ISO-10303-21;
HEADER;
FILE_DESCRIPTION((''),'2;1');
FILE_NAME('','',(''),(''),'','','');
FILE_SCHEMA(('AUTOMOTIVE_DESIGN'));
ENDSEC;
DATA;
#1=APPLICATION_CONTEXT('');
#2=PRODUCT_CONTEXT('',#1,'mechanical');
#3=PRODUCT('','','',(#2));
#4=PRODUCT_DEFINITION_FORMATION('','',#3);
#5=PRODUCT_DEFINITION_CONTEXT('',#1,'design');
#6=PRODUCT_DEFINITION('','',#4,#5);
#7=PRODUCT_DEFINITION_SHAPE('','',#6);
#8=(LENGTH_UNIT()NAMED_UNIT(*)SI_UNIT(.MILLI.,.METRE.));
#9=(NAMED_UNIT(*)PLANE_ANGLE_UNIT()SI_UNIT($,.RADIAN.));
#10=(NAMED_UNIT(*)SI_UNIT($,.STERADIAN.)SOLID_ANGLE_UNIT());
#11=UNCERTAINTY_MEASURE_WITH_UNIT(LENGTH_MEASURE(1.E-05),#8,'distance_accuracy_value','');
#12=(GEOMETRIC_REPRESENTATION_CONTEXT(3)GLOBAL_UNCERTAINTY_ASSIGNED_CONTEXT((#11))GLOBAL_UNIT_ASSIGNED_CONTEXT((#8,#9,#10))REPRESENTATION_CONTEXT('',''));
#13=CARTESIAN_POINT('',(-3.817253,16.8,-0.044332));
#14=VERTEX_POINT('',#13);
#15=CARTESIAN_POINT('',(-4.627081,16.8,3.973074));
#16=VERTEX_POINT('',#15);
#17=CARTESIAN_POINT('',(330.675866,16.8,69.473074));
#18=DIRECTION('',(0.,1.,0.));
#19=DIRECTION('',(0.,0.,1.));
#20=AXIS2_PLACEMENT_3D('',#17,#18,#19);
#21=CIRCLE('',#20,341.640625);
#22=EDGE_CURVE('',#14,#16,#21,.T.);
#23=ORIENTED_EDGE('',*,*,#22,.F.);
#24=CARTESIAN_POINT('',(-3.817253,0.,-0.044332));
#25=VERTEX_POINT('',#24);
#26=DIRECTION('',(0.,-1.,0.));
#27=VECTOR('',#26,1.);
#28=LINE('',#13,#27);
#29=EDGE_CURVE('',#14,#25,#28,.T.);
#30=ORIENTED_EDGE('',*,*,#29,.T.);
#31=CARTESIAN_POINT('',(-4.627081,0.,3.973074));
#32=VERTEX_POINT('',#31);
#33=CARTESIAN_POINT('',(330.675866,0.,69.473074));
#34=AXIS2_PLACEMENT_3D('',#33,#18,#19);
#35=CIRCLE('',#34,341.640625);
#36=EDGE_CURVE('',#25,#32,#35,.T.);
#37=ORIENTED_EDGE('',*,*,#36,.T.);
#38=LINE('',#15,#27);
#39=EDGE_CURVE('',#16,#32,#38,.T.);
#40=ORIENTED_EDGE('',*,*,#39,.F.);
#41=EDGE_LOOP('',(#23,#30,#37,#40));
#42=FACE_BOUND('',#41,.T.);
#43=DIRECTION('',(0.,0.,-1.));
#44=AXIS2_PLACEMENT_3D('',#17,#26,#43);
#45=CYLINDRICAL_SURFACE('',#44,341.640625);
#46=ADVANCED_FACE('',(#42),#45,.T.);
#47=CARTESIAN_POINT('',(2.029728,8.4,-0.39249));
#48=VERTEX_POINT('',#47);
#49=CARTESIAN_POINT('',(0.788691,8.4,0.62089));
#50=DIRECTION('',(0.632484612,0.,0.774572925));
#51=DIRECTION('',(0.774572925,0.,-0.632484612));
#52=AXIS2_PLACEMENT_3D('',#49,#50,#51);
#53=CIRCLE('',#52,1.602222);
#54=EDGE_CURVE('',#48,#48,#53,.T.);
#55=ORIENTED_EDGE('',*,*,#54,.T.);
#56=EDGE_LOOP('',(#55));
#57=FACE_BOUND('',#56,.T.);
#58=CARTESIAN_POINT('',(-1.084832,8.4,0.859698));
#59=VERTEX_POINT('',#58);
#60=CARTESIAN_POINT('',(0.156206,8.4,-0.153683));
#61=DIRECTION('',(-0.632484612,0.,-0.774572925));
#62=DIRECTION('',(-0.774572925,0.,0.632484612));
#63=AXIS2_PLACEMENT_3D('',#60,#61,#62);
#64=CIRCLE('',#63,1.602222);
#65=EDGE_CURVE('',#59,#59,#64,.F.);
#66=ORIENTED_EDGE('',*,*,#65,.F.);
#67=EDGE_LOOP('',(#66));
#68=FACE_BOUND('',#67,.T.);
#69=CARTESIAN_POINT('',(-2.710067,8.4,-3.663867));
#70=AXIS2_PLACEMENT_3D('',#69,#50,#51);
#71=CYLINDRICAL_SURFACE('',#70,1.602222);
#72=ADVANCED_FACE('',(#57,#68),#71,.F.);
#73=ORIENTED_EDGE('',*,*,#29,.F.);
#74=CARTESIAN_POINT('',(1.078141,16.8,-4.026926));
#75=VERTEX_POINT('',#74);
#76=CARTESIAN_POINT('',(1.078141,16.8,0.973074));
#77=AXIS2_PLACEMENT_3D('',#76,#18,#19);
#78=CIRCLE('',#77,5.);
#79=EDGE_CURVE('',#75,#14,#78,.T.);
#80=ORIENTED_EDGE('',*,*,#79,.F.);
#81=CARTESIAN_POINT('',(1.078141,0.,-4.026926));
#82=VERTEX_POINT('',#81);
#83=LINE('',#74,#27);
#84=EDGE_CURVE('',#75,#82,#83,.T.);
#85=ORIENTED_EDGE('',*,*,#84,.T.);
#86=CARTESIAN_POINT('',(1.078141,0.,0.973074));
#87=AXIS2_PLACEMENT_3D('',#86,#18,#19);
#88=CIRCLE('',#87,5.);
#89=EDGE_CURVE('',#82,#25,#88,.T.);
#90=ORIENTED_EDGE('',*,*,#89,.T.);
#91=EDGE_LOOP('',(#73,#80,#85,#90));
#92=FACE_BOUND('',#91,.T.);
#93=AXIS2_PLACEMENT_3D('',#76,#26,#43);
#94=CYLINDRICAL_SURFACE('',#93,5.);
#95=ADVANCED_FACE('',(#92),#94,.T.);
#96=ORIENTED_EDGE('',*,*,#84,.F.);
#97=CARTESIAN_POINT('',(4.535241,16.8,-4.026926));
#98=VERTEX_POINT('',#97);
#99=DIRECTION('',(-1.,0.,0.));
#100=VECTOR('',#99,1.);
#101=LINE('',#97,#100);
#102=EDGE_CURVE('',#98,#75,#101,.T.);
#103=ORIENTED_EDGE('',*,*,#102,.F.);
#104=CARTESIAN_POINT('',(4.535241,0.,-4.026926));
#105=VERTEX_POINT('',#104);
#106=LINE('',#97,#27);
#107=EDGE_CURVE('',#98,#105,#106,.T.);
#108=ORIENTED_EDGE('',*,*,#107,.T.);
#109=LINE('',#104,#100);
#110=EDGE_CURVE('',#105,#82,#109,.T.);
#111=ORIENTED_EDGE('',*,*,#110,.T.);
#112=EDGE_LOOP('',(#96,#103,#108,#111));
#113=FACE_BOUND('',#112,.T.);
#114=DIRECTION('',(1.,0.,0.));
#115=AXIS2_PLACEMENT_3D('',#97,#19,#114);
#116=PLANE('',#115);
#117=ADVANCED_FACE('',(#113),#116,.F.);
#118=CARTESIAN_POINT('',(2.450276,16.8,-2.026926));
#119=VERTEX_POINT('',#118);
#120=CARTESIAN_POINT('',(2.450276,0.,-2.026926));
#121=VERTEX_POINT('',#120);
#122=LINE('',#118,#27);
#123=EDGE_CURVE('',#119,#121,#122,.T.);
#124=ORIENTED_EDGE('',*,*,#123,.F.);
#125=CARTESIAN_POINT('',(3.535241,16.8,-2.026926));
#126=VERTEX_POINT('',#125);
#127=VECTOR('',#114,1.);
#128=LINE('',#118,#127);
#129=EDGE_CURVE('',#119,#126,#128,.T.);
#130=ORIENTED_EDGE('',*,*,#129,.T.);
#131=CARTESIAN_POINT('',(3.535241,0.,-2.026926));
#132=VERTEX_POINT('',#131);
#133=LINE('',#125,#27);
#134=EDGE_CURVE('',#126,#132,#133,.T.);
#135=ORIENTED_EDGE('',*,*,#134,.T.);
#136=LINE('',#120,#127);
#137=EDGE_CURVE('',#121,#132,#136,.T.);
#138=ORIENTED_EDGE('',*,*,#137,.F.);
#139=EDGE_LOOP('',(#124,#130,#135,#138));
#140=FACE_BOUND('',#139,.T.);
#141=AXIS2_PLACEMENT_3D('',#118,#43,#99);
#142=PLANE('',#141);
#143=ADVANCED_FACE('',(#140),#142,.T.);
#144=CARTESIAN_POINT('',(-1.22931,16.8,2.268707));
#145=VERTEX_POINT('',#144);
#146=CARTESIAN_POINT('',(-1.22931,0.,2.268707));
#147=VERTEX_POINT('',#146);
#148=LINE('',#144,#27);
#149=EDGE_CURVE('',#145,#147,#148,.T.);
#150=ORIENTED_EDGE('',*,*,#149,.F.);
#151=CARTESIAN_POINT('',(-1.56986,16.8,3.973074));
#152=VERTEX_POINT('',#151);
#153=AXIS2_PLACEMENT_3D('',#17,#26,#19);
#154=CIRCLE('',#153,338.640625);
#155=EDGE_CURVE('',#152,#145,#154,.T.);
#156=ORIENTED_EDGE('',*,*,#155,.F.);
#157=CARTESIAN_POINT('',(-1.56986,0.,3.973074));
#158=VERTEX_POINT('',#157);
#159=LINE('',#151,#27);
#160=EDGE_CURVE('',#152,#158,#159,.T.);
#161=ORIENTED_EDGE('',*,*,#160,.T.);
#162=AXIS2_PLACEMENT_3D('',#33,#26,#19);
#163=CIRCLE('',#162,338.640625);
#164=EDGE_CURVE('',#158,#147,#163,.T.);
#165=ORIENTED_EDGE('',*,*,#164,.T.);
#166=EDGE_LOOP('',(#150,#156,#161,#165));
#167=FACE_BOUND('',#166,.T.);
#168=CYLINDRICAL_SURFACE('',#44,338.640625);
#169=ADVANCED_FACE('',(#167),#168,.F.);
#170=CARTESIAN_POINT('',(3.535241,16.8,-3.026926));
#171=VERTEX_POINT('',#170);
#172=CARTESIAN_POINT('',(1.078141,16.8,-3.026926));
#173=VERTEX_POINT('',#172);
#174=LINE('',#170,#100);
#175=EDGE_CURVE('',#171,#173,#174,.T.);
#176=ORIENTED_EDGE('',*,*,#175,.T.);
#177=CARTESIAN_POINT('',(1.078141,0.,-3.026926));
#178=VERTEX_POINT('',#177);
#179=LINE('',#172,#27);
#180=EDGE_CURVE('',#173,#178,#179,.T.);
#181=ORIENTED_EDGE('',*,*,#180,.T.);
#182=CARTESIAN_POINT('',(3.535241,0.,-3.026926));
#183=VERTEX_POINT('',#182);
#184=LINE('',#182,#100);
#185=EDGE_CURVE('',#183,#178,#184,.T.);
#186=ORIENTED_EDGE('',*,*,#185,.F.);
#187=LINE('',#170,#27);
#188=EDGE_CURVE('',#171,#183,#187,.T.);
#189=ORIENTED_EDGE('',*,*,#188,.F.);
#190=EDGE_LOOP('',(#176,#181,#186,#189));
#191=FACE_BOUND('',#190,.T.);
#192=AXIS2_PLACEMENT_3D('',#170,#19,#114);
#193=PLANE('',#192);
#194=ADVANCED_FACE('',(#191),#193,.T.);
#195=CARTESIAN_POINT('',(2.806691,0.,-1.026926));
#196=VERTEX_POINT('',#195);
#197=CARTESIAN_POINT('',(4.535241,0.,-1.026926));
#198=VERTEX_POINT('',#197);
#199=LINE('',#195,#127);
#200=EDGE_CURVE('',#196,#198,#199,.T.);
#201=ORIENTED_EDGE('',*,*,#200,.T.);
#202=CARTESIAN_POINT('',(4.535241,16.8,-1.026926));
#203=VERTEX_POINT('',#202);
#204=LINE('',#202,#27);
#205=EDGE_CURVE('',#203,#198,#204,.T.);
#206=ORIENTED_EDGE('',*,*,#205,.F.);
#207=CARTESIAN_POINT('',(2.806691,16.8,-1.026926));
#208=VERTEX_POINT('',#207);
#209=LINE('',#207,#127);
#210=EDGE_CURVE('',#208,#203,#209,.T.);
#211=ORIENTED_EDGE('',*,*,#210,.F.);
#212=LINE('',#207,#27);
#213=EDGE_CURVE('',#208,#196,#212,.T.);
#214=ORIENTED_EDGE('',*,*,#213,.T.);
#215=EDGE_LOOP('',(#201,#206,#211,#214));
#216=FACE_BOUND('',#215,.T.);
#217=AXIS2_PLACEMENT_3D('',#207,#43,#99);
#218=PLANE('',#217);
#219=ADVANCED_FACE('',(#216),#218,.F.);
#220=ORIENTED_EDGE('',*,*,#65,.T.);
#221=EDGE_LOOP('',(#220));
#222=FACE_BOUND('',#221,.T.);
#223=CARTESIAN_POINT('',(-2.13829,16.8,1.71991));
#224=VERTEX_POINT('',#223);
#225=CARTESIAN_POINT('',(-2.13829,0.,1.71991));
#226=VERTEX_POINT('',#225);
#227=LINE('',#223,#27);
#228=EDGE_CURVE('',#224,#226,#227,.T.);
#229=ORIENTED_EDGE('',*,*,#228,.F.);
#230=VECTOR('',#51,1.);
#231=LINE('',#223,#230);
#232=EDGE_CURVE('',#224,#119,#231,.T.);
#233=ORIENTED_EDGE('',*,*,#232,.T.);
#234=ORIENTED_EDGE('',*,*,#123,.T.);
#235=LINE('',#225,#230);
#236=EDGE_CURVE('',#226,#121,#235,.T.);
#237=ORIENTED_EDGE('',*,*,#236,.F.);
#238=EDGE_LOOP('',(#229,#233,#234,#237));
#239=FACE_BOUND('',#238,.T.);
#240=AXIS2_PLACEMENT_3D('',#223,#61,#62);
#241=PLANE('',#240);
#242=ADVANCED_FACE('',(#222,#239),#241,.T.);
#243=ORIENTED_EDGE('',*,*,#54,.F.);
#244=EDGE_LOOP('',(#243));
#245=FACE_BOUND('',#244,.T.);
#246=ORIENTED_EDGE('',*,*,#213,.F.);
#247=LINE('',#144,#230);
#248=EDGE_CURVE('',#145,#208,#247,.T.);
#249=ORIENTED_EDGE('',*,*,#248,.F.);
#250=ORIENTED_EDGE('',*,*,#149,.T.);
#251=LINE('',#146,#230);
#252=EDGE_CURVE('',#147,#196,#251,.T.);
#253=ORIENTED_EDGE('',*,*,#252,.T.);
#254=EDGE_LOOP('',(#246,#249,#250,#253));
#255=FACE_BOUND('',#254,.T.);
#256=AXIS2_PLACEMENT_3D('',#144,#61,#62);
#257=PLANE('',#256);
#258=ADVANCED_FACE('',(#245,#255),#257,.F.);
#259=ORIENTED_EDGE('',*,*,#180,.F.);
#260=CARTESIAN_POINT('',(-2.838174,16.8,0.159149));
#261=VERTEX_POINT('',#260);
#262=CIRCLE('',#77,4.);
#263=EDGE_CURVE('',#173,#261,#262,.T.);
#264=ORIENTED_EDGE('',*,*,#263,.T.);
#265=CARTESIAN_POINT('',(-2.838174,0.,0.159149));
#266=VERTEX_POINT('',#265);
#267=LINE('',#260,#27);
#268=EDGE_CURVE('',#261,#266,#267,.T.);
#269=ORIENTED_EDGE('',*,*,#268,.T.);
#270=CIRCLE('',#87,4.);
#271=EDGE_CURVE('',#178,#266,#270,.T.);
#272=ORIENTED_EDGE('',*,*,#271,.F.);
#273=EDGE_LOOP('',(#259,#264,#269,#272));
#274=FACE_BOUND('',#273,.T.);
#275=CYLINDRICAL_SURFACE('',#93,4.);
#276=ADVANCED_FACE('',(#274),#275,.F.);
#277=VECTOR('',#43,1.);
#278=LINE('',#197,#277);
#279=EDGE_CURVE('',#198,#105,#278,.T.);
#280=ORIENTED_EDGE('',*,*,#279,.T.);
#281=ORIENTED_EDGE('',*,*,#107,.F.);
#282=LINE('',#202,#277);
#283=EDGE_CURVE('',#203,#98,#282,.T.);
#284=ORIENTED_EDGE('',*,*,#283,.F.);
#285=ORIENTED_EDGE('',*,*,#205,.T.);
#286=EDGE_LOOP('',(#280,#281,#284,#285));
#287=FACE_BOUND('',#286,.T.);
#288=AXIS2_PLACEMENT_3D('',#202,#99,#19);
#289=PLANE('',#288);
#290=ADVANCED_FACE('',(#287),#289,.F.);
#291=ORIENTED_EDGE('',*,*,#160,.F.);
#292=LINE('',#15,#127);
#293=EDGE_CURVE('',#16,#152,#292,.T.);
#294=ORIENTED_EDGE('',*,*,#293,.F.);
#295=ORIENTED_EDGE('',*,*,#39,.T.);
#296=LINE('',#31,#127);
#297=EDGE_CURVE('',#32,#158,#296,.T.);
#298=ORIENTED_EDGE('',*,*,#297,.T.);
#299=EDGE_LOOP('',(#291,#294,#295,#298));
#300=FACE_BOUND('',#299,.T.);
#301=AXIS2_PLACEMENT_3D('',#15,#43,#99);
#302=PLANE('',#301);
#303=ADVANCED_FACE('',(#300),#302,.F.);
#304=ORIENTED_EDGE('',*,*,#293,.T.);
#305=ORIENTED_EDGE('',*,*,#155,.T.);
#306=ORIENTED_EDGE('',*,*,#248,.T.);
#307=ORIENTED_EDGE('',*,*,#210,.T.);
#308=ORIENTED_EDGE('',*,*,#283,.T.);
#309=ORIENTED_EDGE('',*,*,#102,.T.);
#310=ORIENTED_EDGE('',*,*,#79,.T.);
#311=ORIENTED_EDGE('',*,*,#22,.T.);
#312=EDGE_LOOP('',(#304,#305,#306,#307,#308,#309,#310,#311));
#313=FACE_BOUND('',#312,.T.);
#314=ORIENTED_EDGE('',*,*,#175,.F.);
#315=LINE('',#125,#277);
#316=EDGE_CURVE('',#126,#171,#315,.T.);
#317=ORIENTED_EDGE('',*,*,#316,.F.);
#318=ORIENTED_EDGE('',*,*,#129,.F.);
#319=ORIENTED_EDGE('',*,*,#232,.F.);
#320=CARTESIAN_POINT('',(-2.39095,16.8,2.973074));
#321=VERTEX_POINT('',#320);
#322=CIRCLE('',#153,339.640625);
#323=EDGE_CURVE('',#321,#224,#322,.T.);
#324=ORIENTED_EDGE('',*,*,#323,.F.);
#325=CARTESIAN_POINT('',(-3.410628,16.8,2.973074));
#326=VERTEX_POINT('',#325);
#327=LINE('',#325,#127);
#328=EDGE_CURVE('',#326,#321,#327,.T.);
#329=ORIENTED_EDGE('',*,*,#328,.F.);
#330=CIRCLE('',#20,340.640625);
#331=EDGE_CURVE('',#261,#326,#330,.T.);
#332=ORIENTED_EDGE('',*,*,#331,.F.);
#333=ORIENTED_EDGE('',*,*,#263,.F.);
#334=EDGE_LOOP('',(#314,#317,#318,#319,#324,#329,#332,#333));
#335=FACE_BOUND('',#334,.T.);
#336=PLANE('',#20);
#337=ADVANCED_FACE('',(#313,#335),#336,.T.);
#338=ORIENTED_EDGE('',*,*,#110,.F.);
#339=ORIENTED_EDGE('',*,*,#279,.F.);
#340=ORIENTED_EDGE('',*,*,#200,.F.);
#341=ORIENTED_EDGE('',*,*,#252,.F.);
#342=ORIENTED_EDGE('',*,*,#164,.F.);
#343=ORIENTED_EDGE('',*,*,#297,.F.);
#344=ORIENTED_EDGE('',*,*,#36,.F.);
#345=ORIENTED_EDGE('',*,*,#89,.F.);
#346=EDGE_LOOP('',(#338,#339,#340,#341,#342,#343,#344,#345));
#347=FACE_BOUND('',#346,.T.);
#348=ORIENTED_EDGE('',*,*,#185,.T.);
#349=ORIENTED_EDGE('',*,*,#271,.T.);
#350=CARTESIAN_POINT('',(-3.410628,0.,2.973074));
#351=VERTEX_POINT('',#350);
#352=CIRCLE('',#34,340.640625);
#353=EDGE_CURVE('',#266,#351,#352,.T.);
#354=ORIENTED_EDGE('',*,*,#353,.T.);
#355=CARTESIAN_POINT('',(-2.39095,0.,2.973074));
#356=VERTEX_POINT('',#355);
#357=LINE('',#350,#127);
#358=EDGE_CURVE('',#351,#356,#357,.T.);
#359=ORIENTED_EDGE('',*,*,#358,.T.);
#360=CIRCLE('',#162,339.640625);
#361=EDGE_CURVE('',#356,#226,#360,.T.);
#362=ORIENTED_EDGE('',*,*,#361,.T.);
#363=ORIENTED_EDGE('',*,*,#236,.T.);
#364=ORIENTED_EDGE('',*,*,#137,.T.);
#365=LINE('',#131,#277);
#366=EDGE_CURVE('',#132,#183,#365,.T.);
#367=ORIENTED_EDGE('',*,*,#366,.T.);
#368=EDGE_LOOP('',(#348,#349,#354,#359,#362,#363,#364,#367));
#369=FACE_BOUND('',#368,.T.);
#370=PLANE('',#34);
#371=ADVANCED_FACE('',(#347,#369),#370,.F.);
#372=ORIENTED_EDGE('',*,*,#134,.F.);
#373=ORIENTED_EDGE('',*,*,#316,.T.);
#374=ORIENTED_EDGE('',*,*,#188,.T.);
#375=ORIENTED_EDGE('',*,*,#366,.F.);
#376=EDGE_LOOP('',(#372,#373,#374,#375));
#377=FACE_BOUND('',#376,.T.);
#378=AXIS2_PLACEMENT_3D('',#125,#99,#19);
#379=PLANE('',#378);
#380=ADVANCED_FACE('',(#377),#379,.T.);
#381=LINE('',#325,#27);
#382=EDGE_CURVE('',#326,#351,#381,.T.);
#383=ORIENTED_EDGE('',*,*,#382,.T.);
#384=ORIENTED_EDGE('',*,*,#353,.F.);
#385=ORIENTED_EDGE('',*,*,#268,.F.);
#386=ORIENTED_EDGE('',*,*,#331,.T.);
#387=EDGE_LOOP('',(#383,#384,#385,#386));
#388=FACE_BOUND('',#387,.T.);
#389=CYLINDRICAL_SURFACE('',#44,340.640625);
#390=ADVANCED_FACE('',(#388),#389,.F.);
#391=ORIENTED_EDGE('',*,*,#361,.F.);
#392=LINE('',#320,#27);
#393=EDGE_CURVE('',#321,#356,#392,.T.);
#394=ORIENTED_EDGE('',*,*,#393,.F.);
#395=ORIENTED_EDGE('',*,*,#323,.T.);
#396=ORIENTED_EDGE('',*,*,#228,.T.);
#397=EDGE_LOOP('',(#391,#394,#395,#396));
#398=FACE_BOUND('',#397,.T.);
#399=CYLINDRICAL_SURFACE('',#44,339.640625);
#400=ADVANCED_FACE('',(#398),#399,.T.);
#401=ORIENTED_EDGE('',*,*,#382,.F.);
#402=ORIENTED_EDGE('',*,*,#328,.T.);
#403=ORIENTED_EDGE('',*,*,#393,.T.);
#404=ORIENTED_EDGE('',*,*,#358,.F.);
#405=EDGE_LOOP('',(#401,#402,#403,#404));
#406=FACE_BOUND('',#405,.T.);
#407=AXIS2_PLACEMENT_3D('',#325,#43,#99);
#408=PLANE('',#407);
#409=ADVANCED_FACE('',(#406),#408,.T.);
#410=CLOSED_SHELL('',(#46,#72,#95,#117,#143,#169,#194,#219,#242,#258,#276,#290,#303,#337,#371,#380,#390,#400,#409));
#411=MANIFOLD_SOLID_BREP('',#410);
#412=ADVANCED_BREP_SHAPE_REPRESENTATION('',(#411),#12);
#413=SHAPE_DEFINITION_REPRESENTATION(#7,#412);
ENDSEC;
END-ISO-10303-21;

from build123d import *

# Parameters (mm, degrees)
BOSS_EXTRUDE1_DEPTH = 16.8
SKETCH3_R           = 1.602221917
CUT_EXTRUDE2_DEPTH  = 1


with BuildPart() as part:
    # Sketch1 → Boss-Extrude1 (new body)
    with BuildSketch(Plane(origin=(0, 0, 0), x_dir=(1, 0, 0), z_dir=(0, 1, 0))):
        with BuildLine():
            Line((-4.627081214, -3.973073539), (-1.569860328, -3.973073539))
            ThreePointArc((-1.569860328, -3.973073539), (-1.400678587, -3.120671939), (-1.229309949, -2.268707303))
            Line((-1.229309949, -2.268707303), (2.8066913, 1.026926461))
            Line((2.8066913, 1.026926461), (4.535241357, 1.026926461))
            Line((4.535241357, 1.026926461), (4.535241357, 4.026926461))
            Line((4.535241357, 4.026926461), (1.078141243, 4.026926461))
            ThreePointArc((1.078141243, 4.026926461), (-2.077248816, 2.905523317), (-3.817253142, 0.044331891))
            ThreePointArc((-3.817253142, 0.044331891), (-4.228191177, -1.963156507), (-4.627081214, -3.973073539))
        make_face()
        with BuildLine():
            Line((-3.410627534, -2.973073539), (-2.390949988, -2.973073539))
            ThreePointArc((-2.390949988, -2.973073539), (-2.265209784, -2.346372679), (-2.138290376, -1.719909567))
            Line((-2.138290376, -1.719909567), (2.450276186, 2.026926461))
            Line((2.450276186, 2.026926461), (3.535241357, 2.026926461))
            Line((3.535241357, 2.026926461), (3.535241357, 3.026926461))
            Line((3.535241357, 3.026926461), (1.078141243, 3.026926461))
            ThreePointArc((1.078141243, 3.026926461), (-1.446170804, 2.129803946), (-2.838174265, -0.159149195))
            ThreePointArc((-2.838174265, -0.159149195), (-3.127366046, -1.56550815), (-3.410627534, -2.973073539))
        make_face(mode=Mode.SUBTRACT)
    extrude(amount=BOSS_EXTRUDE1_DEPTH)

    # Sketch3 → Cut-Extrude2 (cut)
    with BuildSketch(Plane(origin=(0.619682886, 0, 0.758895279), x_dir=(0.774572925, 0, -0.632484612), z_dir=(0.632484612, 0, 0.774572925))):
        with Locations((0.218194806, 8.4)):
            Circle(SKETCH3_R)
    extrude(amount=-CUT_EXTRUDE2_DEPTH, mode=Mode.SUBTRACT)


solid = part.part
